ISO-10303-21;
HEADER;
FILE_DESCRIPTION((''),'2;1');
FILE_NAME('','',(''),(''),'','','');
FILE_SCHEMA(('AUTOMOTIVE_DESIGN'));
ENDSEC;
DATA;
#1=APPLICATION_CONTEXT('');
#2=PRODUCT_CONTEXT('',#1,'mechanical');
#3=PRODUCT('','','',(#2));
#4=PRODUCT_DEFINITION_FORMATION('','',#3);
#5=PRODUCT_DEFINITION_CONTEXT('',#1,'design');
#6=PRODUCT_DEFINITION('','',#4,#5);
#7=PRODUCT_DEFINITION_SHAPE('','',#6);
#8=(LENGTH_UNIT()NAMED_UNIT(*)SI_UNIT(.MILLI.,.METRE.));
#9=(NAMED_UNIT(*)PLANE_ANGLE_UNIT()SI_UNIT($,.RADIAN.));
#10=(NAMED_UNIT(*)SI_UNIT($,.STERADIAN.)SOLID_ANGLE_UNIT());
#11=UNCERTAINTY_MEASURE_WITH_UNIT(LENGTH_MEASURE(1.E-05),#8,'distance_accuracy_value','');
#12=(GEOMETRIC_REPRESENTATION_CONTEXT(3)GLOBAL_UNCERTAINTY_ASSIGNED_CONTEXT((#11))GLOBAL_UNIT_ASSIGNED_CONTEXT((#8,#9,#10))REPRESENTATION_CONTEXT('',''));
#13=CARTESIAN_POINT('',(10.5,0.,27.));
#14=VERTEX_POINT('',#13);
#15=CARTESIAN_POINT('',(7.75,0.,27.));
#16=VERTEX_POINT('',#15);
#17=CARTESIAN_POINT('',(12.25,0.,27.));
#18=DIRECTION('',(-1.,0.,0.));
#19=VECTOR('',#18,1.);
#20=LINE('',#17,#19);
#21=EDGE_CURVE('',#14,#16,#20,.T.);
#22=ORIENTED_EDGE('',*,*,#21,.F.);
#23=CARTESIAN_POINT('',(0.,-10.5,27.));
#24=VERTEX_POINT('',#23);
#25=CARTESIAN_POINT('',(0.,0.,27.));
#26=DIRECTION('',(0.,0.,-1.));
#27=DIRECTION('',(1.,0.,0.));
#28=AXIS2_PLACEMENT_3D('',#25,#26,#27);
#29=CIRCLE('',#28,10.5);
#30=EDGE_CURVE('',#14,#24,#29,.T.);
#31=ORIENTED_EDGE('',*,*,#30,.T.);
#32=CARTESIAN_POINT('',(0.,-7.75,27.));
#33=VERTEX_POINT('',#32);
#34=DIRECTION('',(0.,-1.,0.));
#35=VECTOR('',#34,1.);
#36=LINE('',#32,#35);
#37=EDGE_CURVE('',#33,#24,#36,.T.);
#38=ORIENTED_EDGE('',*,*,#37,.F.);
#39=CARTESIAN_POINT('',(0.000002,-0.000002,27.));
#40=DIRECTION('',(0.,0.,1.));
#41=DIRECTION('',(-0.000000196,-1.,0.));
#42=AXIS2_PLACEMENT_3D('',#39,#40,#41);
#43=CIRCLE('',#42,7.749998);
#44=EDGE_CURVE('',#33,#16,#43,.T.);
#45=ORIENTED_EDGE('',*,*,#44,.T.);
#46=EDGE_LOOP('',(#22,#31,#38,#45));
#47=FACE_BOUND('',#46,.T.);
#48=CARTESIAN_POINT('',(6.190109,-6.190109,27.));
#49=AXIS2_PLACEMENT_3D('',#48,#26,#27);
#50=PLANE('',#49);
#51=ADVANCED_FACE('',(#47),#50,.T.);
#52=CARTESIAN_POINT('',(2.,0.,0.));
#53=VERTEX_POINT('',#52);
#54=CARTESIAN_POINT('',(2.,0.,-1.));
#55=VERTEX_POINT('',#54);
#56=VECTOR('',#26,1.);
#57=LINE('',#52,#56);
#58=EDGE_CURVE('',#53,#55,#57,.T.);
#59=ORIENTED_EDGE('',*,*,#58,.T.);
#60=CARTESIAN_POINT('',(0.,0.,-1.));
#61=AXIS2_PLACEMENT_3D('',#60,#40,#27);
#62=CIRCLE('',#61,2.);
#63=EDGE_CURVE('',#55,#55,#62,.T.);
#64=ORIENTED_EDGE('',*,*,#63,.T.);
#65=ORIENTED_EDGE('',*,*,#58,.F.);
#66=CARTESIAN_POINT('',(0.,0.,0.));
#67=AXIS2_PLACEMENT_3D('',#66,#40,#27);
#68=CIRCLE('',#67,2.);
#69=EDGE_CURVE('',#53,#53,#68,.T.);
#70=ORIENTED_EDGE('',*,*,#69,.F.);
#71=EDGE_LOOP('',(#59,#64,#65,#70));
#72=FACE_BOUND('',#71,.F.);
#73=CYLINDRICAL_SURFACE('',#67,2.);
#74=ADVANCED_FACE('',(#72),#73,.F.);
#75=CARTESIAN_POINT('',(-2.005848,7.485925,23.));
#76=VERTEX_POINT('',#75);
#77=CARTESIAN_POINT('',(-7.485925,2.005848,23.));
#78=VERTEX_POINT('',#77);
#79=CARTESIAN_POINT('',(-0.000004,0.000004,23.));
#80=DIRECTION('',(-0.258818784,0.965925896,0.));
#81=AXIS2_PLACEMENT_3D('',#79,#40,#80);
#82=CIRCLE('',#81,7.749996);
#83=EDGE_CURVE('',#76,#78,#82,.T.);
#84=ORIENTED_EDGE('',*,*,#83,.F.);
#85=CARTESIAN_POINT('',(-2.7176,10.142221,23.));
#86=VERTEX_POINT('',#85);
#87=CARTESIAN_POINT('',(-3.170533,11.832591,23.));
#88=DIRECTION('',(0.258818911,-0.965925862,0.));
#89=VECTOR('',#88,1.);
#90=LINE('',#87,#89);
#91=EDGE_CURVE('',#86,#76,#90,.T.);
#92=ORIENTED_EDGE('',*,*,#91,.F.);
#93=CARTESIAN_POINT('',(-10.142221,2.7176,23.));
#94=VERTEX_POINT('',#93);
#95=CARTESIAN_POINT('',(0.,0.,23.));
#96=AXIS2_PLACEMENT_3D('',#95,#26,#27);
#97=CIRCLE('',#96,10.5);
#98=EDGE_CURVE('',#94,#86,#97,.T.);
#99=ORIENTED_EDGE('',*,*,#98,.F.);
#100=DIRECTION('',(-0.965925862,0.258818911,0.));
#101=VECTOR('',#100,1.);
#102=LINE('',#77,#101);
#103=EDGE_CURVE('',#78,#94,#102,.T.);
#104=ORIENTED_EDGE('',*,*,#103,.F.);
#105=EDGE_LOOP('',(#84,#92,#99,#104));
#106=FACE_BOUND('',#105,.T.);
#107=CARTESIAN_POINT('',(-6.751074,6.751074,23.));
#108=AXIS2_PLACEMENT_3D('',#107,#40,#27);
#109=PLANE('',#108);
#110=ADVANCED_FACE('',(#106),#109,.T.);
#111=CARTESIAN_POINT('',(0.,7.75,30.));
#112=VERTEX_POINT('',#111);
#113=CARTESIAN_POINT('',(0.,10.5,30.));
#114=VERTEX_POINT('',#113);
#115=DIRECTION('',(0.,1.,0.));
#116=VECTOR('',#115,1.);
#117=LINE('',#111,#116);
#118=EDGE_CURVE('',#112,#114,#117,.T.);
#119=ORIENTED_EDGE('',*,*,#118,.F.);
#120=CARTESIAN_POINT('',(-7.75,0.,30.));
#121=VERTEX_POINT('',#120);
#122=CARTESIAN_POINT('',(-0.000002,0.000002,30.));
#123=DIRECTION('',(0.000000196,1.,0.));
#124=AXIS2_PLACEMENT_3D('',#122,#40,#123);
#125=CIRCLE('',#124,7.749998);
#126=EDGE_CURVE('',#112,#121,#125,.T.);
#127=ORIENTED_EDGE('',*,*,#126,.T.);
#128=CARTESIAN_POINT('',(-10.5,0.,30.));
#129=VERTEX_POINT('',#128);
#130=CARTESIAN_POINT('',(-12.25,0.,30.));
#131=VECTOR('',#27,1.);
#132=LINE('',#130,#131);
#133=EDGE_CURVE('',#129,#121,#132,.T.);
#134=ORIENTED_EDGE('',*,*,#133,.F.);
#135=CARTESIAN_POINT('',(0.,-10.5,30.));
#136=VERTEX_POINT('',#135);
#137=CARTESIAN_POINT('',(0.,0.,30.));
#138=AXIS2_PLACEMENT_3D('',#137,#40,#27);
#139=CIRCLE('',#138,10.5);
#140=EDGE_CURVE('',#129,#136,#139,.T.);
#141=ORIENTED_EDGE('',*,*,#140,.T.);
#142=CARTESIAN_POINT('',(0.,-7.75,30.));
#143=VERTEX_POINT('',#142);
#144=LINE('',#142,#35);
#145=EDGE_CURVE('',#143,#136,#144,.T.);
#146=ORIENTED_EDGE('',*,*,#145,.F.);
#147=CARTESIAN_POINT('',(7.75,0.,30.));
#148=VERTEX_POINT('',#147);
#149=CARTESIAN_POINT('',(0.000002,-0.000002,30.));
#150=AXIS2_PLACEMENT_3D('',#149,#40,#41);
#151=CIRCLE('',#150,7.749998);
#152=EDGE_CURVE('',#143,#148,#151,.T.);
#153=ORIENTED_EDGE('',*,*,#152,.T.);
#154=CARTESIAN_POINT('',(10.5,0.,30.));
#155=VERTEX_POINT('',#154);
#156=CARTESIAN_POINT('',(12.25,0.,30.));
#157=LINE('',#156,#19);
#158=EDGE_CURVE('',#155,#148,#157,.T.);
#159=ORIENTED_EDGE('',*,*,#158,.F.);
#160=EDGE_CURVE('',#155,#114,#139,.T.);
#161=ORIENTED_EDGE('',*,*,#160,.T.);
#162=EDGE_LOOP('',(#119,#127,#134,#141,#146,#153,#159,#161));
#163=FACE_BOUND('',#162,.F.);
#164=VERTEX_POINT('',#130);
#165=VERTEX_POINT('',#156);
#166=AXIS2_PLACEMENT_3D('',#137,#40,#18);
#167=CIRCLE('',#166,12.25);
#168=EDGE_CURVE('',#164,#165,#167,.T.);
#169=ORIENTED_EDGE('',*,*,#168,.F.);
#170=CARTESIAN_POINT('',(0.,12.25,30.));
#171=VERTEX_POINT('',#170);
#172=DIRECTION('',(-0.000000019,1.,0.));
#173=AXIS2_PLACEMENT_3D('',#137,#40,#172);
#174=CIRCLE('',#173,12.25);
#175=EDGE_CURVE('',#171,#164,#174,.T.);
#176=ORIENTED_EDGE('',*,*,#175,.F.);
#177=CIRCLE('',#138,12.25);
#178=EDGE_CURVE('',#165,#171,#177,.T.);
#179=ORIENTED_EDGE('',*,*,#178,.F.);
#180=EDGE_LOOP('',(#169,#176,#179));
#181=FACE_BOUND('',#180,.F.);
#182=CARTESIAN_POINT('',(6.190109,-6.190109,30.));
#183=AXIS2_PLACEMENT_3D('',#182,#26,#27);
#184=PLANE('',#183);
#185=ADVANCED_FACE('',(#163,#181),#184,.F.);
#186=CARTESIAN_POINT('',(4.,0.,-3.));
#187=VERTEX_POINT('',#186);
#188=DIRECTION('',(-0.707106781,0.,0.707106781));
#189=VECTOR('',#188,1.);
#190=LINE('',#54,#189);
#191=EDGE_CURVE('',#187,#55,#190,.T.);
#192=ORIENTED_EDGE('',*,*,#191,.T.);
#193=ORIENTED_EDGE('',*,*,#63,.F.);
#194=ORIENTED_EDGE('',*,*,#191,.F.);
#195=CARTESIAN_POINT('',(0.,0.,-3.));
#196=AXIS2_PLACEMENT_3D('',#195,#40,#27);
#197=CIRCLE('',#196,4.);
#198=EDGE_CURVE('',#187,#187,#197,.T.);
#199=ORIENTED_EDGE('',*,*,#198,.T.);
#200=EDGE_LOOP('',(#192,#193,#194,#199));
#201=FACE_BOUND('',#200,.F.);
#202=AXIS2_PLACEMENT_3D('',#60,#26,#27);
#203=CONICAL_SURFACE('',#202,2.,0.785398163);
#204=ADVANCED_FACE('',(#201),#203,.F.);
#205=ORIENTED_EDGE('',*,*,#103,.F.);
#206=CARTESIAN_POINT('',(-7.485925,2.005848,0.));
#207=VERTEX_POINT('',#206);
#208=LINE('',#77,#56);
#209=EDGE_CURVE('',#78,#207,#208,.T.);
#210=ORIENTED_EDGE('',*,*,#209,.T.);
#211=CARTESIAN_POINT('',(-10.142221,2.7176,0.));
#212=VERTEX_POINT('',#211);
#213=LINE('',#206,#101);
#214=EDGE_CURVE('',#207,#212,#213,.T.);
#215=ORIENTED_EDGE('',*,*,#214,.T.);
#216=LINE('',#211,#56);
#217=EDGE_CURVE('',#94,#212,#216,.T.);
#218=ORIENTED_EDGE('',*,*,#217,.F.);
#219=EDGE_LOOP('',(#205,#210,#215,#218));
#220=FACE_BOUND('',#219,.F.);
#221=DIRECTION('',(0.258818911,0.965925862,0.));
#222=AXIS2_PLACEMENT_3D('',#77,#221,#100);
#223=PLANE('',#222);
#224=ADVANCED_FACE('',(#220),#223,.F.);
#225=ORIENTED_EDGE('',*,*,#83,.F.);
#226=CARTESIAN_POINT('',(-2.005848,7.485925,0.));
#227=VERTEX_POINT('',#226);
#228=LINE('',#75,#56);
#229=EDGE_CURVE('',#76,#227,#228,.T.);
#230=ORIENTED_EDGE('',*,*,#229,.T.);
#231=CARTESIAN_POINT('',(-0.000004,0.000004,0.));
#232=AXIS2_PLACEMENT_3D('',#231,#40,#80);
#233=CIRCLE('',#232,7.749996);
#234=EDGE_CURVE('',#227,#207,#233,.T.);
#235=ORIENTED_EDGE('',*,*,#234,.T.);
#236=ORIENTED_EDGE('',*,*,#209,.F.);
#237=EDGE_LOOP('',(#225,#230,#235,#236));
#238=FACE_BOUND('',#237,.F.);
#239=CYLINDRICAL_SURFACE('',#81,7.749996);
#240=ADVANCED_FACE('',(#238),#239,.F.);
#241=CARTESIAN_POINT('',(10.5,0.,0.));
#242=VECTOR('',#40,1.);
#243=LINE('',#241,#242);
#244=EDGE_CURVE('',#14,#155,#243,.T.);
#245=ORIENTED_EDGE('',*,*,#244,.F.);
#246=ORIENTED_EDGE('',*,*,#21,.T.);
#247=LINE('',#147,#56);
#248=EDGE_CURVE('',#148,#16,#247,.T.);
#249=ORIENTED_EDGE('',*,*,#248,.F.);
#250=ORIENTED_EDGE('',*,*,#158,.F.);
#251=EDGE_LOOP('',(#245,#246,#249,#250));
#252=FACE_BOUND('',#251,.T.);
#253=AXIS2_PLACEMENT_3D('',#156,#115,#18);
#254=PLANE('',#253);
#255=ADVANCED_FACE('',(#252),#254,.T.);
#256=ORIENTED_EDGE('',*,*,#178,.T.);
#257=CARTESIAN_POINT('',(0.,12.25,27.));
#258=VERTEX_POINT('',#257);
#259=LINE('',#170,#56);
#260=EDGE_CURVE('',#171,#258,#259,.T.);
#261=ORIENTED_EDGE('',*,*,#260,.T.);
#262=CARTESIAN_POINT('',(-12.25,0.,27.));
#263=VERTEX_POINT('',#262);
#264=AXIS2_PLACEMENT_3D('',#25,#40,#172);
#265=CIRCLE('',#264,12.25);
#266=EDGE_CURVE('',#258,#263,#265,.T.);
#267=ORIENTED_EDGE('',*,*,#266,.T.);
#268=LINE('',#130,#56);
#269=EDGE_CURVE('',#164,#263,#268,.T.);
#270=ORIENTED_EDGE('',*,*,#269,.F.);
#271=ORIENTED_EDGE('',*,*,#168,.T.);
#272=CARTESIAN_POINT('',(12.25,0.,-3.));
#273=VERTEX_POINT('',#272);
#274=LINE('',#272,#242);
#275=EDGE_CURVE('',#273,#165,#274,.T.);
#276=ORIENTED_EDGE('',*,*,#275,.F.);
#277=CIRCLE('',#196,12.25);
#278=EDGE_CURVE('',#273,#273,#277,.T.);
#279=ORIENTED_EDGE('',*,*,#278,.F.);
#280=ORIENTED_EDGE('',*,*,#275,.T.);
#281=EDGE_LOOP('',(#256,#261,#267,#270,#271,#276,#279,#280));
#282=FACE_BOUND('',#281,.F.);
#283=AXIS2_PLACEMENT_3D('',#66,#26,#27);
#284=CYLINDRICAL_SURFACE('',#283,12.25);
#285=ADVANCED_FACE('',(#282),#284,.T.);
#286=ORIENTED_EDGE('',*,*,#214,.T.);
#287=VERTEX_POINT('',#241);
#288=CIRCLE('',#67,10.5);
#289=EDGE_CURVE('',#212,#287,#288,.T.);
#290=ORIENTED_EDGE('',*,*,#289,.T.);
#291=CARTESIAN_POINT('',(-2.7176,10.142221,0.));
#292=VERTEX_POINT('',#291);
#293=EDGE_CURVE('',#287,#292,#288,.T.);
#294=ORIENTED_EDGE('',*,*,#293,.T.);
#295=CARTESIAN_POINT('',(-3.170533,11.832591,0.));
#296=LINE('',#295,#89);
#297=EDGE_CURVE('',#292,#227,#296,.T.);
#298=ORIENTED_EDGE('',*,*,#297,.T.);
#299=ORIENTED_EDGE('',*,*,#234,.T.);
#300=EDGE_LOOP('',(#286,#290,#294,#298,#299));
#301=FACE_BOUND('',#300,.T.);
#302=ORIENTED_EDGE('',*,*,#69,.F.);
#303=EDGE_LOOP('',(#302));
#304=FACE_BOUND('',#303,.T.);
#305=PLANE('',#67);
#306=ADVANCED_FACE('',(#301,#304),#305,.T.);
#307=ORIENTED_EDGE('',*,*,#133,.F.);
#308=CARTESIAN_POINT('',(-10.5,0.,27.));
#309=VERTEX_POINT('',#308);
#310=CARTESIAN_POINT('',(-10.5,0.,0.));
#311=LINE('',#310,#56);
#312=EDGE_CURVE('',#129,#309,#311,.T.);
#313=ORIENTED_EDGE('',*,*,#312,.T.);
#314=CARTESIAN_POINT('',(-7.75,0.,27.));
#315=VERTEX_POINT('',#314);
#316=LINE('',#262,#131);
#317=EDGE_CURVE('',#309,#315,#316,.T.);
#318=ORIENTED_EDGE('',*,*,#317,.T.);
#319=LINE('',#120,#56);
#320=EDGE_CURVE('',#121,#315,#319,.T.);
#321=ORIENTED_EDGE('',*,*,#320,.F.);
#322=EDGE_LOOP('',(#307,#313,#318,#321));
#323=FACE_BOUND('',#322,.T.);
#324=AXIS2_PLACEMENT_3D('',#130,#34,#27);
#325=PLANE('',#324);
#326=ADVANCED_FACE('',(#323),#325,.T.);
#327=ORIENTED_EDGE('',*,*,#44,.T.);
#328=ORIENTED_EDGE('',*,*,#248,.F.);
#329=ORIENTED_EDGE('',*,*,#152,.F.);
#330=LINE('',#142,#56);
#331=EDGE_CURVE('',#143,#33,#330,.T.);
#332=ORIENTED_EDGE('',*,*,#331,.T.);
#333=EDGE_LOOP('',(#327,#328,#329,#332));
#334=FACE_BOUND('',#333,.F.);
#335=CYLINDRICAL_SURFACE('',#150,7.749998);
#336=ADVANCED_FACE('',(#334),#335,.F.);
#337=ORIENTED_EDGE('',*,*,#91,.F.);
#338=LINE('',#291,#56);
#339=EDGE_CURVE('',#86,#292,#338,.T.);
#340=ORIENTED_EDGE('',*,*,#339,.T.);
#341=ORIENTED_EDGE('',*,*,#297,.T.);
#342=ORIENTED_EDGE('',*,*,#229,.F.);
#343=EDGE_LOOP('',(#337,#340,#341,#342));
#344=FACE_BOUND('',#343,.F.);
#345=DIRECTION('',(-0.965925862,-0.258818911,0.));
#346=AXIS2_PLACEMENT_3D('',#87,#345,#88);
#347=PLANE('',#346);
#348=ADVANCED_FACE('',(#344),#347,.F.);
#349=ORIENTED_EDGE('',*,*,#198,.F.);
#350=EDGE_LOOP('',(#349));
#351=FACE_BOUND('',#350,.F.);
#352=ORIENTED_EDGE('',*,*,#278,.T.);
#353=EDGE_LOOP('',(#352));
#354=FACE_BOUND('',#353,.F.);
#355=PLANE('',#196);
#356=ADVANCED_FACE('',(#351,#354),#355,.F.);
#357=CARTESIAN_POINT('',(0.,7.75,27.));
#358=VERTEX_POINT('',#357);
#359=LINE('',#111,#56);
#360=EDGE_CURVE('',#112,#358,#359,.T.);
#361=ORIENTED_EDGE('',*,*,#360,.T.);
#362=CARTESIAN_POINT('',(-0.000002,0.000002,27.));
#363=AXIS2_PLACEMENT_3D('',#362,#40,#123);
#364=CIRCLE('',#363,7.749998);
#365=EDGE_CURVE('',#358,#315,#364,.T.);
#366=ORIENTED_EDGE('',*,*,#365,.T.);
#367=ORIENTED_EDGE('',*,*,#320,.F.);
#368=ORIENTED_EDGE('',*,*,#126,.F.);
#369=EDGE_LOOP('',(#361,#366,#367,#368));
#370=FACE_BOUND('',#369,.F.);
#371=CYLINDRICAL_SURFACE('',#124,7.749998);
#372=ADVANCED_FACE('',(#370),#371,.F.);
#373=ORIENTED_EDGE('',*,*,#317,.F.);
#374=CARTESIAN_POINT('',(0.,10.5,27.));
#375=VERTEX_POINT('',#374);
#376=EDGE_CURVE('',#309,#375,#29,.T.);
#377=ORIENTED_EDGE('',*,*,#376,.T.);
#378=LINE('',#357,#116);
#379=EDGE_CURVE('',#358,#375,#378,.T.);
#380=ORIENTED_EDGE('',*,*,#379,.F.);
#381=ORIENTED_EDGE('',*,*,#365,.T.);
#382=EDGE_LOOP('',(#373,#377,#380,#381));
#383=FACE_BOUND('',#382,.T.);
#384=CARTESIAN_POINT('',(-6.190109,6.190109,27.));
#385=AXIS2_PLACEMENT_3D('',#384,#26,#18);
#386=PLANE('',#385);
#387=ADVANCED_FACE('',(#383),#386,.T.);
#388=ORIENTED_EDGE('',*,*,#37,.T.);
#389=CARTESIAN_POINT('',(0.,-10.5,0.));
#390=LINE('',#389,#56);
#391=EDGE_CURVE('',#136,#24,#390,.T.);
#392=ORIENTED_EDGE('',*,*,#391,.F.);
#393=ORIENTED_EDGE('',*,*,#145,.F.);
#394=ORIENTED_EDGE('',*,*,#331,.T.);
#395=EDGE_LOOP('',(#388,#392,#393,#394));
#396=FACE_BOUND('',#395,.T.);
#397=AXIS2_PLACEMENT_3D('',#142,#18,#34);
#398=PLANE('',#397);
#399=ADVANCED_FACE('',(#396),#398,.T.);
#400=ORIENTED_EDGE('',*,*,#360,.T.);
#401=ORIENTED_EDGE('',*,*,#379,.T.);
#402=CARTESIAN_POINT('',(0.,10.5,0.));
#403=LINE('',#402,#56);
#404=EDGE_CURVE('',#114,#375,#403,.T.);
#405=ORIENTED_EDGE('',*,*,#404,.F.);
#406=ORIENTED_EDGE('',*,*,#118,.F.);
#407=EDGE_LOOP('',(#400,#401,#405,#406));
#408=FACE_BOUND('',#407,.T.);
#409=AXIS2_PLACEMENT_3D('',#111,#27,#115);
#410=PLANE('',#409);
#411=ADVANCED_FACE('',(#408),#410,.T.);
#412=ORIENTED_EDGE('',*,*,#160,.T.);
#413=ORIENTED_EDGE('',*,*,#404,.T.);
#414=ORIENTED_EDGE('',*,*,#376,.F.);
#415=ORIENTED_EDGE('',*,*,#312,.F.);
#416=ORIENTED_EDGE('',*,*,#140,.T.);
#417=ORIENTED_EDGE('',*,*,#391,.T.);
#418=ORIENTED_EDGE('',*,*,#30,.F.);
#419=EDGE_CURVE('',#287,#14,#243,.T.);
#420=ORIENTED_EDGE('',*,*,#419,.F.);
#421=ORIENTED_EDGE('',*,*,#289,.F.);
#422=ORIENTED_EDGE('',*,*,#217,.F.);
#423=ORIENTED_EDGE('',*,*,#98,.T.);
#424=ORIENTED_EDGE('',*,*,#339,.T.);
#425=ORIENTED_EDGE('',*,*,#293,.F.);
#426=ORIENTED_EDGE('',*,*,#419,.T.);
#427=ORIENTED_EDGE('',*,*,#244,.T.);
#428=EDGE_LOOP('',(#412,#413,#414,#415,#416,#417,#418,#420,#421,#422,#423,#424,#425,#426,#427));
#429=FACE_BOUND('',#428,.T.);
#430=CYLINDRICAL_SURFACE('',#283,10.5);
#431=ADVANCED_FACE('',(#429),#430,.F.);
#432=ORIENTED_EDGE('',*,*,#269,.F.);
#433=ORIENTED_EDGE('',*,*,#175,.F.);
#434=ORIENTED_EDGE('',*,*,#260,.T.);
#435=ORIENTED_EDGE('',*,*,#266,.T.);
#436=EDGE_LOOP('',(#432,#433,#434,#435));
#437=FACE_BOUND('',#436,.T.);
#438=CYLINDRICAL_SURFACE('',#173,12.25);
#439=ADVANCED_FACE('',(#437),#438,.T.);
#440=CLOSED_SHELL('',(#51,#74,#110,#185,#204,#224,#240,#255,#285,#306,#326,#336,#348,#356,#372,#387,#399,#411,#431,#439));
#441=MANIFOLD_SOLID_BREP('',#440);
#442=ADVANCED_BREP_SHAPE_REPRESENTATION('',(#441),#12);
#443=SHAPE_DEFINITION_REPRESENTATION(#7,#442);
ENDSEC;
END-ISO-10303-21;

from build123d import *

# Parameters (mm, degrees)
SKETCH_R           = 12.25
SKETCH_R_2         = 2
PAD_DEPTH          = 3
SKETCH001_R        = 12.25
SKETCH001_R_2      = 10.5
PAD001_DEPTH       = 30
PAD002_DEPTH       = 3
POLARPATTERN_COUNT = 2
PAD003_DEPTH       = 23
CHAMFER_SIZE       = 2


with BuildPart() as part:
    # Sketch → Pad (new body)
    with BuildSketch(Plane.XY):
        Circle(SKETCH_R)
        Circle(SKETCH_R_2, mode=Mode.SUBTRACT)
    extrude(amount=-PAD_DEPTH)

    # Sketch001 → Pad001 (join)
    with BuildSketch(Plane.XY):
        Circle(SKETCH001_R)
        Circle(SKETCH001_R_2, mode=Mode.SUBTRACT)
    extrude(amount=PAD001_DEPTH)

    # Sketch002 → Pad002 (join)
    with BuildSketch(Plane.XY.offset(30)):
        with BuildLine():
            ThreePointArc((0, 7.75), (-5.480078, 5.480078), (-7.75, 0))
            Line((-12.25, 0), (-7.75, 0))
            ThreePointArc((0, 12.25), (-8.662058, 8.662058), (-12.25, 0))
            Line((0, 7.75), (0, 12.25))
        make_face()
    pad002 = extrude(amount=-PAD002_DEPTH)

    # PolarPattern: Pad002 ×2 about axis
    polarpattern_axis = Axis((0, 0, 30), (0, 0, 1))
    for i in range(1, POLARPATTERN_COUNT):
        add(pad002.rotate(polarpattern_axis, i * 360 / POLARPATTERN_COUNT))

    # Sketch003 (on DatumPlane) → Pad003 (join)
    with BuildSketch(Plane.XY.offset(23)):
        with BuildLine():
            ThreePointArc((-3.170533, 11.832591), (-8.662058, 8.662058), (-11.832591, 3.170533))
            Line((-7.485925, 2.005848), (-11.832591, 3.170533))
            ThreePointArc((-2.005848, 7.485925), (-5.480078, 5.480078), (-7.485925, 2.005848))
            Line((-3.170533, 11.832591), (-2.005848, 7.485925))
        make_face()
    extrude(amount=-PAD003_DEPTH)

    # Chamfer
    chamfer_edges = [part.edges().sort_by_distance(p)[0] for p in [
        (-2, 0, -3),
    ]]
    chamfer(chamfer_edges, length=CHAMFER_SIZE)


solid = part.part
